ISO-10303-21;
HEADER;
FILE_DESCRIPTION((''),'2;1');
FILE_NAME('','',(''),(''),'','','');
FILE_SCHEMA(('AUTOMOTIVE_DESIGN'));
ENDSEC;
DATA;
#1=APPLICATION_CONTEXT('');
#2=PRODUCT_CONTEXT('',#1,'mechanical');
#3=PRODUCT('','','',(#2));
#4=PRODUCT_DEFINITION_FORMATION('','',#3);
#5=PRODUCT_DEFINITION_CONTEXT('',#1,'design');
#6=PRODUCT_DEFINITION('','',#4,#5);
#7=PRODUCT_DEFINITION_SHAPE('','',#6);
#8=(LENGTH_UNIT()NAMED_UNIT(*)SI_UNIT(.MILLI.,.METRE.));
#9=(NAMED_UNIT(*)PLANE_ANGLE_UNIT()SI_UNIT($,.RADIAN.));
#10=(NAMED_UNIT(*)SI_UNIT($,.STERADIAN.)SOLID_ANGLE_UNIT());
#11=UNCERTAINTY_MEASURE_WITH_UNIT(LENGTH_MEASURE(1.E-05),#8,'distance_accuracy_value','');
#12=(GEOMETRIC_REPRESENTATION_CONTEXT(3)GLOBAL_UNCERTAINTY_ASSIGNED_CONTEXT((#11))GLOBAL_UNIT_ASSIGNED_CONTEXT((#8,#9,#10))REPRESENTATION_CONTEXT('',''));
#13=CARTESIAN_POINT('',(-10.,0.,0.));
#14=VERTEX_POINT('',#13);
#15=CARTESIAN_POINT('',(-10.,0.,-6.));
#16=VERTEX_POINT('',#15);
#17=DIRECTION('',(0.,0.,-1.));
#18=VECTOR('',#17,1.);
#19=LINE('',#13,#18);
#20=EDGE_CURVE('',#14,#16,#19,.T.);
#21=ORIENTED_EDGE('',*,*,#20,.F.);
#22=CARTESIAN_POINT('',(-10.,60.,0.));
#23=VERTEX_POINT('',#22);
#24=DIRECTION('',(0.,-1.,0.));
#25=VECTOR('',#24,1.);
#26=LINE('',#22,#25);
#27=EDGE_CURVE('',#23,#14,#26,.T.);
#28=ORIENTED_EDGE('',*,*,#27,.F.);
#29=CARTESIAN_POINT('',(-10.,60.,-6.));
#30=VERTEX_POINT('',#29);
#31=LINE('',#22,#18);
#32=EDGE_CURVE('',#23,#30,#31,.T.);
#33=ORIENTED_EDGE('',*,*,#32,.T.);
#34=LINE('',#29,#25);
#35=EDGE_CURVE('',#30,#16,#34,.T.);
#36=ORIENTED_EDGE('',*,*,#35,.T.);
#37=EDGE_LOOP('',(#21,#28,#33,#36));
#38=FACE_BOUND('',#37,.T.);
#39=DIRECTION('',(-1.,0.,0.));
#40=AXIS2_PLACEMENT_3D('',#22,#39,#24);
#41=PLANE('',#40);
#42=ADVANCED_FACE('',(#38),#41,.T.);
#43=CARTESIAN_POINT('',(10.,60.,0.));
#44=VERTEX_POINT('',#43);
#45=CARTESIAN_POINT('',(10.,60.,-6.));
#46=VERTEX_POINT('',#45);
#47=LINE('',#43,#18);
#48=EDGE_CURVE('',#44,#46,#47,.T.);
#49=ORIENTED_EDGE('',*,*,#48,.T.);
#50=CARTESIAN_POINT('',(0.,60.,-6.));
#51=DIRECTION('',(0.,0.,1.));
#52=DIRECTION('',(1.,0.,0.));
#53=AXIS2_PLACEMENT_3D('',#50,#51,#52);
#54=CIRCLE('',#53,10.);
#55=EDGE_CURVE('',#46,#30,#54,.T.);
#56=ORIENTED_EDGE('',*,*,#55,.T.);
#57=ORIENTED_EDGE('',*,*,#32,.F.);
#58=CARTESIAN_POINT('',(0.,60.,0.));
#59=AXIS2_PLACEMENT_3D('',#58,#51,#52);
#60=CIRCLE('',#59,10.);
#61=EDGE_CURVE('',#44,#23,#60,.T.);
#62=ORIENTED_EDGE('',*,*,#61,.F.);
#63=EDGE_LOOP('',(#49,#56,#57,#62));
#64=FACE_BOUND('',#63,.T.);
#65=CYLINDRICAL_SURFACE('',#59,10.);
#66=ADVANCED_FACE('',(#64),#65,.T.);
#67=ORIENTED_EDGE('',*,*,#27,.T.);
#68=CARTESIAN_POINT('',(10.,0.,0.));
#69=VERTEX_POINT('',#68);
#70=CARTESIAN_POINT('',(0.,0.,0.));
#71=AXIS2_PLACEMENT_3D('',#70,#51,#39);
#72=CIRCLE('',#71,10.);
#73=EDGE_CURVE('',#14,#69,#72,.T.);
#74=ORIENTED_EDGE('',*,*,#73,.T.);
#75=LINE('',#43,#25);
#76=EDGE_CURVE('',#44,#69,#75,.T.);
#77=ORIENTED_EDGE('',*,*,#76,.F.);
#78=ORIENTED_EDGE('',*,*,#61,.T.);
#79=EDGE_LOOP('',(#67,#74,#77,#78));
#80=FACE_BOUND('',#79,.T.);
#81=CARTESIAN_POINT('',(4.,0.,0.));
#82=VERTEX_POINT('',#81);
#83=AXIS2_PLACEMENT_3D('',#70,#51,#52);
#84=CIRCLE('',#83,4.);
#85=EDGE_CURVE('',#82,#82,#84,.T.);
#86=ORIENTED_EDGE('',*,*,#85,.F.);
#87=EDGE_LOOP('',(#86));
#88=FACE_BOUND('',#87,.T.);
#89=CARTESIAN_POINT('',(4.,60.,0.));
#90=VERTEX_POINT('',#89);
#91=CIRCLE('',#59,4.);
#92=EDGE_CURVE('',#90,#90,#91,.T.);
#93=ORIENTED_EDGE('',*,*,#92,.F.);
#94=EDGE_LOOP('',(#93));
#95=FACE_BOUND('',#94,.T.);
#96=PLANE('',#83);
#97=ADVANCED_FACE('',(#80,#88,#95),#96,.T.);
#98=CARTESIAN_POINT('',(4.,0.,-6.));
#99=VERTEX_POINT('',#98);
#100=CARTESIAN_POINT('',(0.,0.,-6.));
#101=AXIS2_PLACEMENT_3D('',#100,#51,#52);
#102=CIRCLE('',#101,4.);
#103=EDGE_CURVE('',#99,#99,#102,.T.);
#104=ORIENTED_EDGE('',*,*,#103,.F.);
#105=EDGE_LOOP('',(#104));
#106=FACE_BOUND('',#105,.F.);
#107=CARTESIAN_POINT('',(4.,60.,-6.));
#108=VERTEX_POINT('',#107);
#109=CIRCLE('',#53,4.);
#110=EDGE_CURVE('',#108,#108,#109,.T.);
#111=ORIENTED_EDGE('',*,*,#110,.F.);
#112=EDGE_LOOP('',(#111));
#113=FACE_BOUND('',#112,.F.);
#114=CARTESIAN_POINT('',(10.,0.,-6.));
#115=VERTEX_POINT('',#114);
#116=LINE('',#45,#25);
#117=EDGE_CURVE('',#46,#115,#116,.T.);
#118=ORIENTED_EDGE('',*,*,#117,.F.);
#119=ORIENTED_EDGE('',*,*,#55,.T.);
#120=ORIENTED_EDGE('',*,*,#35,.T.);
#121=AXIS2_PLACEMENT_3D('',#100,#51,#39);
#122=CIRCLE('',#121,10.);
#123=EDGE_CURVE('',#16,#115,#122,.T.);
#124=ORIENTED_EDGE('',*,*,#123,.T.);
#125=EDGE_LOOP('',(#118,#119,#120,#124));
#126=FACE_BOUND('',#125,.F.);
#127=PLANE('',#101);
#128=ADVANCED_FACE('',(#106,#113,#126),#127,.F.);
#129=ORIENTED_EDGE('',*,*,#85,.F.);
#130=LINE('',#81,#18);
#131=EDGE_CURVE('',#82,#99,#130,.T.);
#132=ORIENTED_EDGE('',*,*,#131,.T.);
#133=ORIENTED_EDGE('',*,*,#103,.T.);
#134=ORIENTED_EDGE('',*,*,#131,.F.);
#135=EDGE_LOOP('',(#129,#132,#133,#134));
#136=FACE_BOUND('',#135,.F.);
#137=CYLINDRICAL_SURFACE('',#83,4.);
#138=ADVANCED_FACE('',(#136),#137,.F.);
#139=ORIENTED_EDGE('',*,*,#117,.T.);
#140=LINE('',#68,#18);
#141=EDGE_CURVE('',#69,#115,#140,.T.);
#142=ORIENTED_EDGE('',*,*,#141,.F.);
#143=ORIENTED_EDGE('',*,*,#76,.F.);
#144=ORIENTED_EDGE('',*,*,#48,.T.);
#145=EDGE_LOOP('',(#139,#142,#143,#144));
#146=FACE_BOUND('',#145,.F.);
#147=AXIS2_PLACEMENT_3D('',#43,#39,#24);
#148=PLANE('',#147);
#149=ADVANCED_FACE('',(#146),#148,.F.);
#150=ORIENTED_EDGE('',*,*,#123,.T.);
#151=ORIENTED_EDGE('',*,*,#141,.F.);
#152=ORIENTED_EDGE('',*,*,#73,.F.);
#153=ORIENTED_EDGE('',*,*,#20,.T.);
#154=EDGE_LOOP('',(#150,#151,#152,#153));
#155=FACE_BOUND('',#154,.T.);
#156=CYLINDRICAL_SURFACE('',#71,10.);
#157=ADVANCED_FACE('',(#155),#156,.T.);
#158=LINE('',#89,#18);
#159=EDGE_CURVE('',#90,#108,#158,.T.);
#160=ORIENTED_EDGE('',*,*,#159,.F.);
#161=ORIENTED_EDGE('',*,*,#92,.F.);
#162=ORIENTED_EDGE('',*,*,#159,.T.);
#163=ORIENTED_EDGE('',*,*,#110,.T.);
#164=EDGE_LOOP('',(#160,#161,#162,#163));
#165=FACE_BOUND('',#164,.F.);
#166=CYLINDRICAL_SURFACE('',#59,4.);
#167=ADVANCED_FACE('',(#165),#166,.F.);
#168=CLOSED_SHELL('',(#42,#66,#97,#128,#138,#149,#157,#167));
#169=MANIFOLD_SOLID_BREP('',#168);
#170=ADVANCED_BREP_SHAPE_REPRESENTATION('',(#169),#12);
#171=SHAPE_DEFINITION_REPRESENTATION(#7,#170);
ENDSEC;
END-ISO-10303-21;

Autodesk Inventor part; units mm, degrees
ref_plane "YZ Plane" through (0, 0, 0) normal (1, 0, 0) x (0, 1, 0)
ref_plane "XZ Plane" through (0, 0, 0) normal (0, 1, 0) x (-1, 0, 0)
ref_plane "XY Plane" through (0, 0, 0) normal (0, 0, 1) x (1, 0, 0)
sketch "Boceto1" plane through (0, 0, 0) normal (0, 0, 1) x (1, 0, 0)
  circle A0 centre (0, 0) radius 4
  arc A1 (-10, 0) -> (10, 0) centre (0, 0) ccw
  line L0 (0, 0) -> (0, 60) construction
  circle A2 centre (0, 60) radius 4
  arc A3 (10, 60) -> (-10, 60) centre (0, 60) ccw
  line L1 (-10, 60) -> (-10, 0)
  line L2 (10, 60) -> (10, 0)
  dimension "d0" = 8
  dimension "d1" = 20
  dimension "d2" = 60
  dimension "d3" = 8
  dimension "d4" = 20
extrude "Extrusión1" add sketch "Boceto1" against normal blind 6
properties part number "13_Riostra"
